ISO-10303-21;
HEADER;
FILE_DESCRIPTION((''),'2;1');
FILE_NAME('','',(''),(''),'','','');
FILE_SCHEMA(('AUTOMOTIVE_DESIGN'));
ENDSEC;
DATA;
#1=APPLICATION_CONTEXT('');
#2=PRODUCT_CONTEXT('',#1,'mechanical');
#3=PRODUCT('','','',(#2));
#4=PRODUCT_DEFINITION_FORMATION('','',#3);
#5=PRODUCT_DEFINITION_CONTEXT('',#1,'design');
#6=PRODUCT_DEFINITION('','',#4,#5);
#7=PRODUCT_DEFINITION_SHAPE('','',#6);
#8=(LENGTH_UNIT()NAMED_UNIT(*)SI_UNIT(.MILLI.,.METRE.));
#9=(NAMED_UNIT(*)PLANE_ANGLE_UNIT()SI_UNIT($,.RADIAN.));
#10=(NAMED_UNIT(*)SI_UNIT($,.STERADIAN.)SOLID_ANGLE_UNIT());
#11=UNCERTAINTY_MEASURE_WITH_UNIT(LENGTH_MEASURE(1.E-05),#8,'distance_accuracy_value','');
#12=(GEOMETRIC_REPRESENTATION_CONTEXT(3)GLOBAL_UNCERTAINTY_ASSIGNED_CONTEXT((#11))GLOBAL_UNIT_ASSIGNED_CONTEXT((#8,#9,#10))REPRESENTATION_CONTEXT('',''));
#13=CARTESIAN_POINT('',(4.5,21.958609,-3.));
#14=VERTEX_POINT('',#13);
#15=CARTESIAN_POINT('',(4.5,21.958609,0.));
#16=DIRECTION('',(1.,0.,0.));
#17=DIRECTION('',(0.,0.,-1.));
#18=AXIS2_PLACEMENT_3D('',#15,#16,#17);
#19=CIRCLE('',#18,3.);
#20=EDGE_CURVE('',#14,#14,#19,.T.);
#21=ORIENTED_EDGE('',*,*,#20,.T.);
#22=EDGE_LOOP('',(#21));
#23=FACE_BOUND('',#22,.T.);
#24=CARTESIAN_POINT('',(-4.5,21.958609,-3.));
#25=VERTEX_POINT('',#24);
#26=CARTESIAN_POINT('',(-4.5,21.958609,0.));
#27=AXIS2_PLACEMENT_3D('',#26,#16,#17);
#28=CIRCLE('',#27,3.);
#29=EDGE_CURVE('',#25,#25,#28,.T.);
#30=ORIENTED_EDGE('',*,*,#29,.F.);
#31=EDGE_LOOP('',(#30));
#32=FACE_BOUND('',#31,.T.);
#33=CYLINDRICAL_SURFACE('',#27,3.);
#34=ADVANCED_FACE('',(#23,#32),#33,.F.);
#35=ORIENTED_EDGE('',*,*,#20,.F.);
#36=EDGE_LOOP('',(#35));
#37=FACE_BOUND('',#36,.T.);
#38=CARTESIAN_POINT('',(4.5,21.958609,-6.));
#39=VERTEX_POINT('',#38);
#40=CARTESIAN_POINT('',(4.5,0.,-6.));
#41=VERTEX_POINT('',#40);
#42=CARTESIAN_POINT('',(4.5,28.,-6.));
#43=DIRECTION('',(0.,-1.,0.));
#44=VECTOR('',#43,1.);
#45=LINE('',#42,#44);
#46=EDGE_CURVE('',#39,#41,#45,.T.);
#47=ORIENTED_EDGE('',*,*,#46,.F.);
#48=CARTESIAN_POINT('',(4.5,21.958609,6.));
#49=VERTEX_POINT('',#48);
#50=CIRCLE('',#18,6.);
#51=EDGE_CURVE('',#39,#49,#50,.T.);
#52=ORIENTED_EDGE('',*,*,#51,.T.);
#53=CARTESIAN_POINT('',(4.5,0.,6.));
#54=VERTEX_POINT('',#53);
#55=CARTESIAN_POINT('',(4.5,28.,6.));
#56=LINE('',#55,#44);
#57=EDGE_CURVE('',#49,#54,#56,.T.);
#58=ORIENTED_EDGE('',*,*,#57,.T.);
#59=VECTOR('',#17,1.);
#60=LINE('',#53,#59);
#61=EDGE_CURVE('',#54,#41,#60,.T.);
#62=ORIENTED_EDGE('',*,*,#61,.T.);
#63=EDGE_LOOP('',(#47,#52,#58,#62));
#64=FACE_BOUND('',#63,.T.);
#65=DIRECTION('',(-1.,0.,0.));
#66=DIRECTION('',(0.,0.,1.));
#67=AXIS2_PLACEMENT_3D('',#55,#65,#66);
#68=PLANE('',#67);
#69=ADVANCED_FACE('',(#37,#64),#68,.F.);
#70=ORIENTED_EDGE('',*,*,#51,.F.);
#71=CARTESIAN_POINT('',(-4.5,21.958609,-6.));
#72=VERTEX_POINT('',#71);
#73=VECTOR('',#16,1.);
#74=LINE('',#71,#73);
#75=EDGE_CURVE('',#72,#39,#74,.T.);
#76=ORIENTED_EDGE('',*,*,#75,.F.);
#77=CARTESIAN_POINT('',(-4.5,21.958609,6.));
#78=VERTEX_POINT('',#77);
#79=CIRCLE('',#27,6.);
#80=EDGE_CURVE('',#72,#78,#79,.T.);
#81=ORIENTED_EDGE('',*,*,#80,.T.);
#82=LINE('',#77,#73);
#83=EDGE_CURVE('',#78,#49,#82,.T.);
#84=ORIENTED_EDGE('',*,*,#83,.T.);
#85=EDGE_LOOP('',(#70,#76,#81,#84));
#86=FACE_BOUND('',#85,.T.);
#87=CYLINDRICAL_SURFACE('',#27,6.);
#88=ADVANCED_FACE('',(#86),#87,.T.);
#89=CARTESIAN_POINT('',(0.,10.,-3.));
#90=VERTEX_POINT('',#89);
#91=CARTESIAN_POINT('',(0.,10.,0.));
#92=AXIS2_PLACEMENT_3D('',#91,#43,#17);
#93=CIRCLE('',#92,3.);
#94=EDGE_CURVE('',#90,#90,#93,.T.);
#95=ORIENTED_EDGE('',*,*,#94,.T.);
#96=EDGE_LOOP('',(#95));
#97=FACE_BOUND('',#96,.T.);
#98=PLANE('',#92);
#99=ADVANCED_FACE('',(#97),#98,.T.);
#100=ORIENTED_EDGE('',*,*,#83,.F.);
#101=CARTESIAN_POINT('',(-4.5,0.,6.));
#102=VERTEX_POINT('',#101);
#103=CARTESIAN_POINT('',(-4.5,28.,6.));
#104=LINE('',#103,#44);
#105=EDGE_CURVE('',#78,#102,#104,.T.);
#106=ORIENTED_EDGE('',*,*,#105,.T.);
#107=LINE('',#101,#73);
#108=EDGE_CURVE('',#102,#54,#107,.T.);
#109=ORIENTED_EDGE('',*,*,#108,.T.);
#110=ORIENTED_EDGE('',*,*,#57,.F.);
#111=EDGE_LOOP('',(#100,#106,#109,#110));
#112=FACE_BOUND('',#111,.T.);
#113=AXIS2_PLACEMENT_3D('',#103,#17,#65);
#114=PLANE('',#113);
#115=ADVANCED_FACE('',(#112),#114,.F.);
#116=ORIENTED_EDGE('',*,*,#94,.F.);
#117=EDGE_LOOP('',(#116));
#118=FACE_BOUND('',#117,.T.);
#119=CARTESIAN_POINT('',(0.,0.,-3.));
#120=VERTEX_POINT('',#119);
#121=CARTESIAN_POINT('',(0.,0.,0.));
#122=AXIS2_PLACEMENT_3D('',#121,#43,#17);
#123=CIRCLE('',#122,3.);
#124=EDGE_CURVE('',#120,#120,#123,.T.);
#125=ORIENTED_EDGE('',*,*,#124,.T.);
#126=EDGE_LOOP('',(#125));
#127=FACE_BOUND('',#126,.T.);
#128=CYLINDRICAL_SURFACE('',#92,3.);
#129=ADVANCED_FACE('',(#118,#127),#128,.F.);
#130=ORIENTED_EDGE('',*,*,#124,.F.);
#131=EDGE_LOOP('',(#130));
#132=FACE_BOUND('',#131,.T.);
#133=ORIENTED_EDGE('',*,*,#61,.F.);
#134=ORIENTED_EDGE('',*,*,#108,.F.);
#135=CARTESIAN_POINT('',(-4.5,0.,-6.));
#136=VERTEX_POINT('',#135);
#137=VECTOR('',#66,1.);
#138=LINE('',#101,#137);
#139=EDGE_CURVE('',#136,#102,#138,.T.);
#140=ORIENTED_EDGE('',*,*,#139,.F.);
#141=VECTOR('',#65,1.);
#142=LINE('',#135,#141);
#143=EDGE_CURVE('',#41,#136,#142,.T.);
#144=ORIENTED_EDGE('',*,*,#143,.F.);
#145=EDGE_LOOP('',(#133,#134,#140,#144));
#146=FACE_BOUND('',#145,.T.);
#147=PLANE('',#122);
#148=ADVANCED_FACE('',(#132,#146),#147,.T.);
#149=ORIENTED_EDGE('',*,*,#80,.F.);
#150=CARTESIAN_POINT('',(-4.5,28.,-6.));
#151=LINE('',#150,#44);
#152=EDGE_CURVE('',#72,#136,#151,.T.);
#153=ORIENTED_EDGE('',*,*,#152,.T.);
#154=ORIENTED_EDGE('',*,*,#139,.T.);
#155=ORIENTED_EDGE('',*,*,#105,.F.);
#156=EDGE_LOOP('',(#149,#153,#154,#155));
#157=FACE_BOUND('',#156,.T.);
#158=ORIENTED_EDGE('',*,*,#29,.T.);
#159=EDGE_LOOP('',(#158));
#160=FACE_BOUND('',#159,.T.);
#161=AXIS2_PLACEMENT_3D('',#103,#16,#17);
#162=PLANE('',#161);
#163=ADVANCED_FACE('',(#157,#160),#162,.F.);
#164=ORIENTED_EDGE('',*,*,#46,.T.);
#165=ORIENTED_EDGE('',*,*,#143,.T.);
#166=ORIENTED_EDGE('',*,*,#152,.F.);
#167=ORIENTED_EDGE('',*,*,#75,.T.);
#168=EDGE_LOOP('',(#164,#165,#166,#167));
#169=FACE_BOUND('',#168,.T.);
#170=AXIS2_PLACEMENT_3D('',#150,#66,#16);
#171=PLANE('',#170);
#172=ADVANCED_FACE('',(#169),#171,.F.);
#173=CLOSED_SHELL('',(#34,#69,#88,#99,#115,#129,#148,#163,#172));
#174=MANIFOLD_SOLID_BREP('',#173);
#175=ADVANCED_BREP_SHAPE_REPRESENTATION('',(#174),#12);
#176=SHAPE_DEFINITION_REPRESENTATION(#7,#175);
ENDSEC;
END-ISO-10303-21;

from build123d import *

# Parameters (mm, degrees)
SKETCH_1_W          = 9
SKETCH_1_H          = 12
EXTRUDE_1_DEPTH     = 28
SKETCH_2_OUTSIDE_W  = 20.352
SKETCH_2_OUTSIDE_H  = 36.352
CUT_EXTRUDE_1_DEPTH = 31.01666204
SKETCH_3_R          = 3
CUT_EXTRUDE_2_DEPTH = 10
SKETCH_4_R          = 3
CUT_EXTRUDE_3_DEPTH = 30.978055751


with BuildPart() as part:
    # 草图1 → 凸台-拉伸1 (new body)
    with BuildSketch(Plane(origin=(0, 0, 0), x_dir=(1, 0, 0), z_dir=(0, 1, 0))):
        Rectangle(SKETCH_1_W, SKETCH_1_H)
    extrude(amount=EXTRUDE_1_DEPTH)

    # 草图2 outside → 切除-拉伸1 (cut, through all)
    with BuildSketch(Plane(origin=(4.5, 0, 0), x_dir=(0, 0, -1), z_dir=(1, 0, 0))):
        with Locations((0, 14)):
            Rectangle(SKETCH_2_OUTSIDE_W, SKETCH_2_OUTSIDE_H)
        with BuildLine():
            Line((-6, -3.744960893), (-6, 21.958609168))
            ThreePointArc((-6, 21.958609168), (0, 27.958609168), (6, 21.958609168))
            Line((6, 21.958609168), (6, -3.744960893))
            ThreePointArc((6, -3.744960893), (0, -9.744960893), (-6, -3.744960893))
        make_face(mode=Mode.SUBTRACT)
    extrude(amount=-CUT_EXTRUDE_1_DEPTH, mode=Mode.SUBTRACT)

    # 草图3 → 切除-拉伸2 (cut)
    with BuildSketch(Plane.XZ):
        with Locations(Location((0, 0, 0), (0, 0, 270))):
            Circle(SKETCH_3_R)
    extrude(amount=-CUT_EXTRUDE_2_DEPTH, mode=Mode.SUBTRACT)

    # 草图4 → 切除-拉伸3 (cut, through all)
    with BuildSketch(Plane(origin=(4.5, 0, 0), x_dir=(0, 0, -1), z_dir=(1, 0, 0))):
        with Locations((0, 21.958609168)):
            Circle(SKETCH_4_R)
    extrude(amount=-CUT_EXTRUDE_3_DEPTH, mode=Mode.SUBTRACT)


solid = part.part
